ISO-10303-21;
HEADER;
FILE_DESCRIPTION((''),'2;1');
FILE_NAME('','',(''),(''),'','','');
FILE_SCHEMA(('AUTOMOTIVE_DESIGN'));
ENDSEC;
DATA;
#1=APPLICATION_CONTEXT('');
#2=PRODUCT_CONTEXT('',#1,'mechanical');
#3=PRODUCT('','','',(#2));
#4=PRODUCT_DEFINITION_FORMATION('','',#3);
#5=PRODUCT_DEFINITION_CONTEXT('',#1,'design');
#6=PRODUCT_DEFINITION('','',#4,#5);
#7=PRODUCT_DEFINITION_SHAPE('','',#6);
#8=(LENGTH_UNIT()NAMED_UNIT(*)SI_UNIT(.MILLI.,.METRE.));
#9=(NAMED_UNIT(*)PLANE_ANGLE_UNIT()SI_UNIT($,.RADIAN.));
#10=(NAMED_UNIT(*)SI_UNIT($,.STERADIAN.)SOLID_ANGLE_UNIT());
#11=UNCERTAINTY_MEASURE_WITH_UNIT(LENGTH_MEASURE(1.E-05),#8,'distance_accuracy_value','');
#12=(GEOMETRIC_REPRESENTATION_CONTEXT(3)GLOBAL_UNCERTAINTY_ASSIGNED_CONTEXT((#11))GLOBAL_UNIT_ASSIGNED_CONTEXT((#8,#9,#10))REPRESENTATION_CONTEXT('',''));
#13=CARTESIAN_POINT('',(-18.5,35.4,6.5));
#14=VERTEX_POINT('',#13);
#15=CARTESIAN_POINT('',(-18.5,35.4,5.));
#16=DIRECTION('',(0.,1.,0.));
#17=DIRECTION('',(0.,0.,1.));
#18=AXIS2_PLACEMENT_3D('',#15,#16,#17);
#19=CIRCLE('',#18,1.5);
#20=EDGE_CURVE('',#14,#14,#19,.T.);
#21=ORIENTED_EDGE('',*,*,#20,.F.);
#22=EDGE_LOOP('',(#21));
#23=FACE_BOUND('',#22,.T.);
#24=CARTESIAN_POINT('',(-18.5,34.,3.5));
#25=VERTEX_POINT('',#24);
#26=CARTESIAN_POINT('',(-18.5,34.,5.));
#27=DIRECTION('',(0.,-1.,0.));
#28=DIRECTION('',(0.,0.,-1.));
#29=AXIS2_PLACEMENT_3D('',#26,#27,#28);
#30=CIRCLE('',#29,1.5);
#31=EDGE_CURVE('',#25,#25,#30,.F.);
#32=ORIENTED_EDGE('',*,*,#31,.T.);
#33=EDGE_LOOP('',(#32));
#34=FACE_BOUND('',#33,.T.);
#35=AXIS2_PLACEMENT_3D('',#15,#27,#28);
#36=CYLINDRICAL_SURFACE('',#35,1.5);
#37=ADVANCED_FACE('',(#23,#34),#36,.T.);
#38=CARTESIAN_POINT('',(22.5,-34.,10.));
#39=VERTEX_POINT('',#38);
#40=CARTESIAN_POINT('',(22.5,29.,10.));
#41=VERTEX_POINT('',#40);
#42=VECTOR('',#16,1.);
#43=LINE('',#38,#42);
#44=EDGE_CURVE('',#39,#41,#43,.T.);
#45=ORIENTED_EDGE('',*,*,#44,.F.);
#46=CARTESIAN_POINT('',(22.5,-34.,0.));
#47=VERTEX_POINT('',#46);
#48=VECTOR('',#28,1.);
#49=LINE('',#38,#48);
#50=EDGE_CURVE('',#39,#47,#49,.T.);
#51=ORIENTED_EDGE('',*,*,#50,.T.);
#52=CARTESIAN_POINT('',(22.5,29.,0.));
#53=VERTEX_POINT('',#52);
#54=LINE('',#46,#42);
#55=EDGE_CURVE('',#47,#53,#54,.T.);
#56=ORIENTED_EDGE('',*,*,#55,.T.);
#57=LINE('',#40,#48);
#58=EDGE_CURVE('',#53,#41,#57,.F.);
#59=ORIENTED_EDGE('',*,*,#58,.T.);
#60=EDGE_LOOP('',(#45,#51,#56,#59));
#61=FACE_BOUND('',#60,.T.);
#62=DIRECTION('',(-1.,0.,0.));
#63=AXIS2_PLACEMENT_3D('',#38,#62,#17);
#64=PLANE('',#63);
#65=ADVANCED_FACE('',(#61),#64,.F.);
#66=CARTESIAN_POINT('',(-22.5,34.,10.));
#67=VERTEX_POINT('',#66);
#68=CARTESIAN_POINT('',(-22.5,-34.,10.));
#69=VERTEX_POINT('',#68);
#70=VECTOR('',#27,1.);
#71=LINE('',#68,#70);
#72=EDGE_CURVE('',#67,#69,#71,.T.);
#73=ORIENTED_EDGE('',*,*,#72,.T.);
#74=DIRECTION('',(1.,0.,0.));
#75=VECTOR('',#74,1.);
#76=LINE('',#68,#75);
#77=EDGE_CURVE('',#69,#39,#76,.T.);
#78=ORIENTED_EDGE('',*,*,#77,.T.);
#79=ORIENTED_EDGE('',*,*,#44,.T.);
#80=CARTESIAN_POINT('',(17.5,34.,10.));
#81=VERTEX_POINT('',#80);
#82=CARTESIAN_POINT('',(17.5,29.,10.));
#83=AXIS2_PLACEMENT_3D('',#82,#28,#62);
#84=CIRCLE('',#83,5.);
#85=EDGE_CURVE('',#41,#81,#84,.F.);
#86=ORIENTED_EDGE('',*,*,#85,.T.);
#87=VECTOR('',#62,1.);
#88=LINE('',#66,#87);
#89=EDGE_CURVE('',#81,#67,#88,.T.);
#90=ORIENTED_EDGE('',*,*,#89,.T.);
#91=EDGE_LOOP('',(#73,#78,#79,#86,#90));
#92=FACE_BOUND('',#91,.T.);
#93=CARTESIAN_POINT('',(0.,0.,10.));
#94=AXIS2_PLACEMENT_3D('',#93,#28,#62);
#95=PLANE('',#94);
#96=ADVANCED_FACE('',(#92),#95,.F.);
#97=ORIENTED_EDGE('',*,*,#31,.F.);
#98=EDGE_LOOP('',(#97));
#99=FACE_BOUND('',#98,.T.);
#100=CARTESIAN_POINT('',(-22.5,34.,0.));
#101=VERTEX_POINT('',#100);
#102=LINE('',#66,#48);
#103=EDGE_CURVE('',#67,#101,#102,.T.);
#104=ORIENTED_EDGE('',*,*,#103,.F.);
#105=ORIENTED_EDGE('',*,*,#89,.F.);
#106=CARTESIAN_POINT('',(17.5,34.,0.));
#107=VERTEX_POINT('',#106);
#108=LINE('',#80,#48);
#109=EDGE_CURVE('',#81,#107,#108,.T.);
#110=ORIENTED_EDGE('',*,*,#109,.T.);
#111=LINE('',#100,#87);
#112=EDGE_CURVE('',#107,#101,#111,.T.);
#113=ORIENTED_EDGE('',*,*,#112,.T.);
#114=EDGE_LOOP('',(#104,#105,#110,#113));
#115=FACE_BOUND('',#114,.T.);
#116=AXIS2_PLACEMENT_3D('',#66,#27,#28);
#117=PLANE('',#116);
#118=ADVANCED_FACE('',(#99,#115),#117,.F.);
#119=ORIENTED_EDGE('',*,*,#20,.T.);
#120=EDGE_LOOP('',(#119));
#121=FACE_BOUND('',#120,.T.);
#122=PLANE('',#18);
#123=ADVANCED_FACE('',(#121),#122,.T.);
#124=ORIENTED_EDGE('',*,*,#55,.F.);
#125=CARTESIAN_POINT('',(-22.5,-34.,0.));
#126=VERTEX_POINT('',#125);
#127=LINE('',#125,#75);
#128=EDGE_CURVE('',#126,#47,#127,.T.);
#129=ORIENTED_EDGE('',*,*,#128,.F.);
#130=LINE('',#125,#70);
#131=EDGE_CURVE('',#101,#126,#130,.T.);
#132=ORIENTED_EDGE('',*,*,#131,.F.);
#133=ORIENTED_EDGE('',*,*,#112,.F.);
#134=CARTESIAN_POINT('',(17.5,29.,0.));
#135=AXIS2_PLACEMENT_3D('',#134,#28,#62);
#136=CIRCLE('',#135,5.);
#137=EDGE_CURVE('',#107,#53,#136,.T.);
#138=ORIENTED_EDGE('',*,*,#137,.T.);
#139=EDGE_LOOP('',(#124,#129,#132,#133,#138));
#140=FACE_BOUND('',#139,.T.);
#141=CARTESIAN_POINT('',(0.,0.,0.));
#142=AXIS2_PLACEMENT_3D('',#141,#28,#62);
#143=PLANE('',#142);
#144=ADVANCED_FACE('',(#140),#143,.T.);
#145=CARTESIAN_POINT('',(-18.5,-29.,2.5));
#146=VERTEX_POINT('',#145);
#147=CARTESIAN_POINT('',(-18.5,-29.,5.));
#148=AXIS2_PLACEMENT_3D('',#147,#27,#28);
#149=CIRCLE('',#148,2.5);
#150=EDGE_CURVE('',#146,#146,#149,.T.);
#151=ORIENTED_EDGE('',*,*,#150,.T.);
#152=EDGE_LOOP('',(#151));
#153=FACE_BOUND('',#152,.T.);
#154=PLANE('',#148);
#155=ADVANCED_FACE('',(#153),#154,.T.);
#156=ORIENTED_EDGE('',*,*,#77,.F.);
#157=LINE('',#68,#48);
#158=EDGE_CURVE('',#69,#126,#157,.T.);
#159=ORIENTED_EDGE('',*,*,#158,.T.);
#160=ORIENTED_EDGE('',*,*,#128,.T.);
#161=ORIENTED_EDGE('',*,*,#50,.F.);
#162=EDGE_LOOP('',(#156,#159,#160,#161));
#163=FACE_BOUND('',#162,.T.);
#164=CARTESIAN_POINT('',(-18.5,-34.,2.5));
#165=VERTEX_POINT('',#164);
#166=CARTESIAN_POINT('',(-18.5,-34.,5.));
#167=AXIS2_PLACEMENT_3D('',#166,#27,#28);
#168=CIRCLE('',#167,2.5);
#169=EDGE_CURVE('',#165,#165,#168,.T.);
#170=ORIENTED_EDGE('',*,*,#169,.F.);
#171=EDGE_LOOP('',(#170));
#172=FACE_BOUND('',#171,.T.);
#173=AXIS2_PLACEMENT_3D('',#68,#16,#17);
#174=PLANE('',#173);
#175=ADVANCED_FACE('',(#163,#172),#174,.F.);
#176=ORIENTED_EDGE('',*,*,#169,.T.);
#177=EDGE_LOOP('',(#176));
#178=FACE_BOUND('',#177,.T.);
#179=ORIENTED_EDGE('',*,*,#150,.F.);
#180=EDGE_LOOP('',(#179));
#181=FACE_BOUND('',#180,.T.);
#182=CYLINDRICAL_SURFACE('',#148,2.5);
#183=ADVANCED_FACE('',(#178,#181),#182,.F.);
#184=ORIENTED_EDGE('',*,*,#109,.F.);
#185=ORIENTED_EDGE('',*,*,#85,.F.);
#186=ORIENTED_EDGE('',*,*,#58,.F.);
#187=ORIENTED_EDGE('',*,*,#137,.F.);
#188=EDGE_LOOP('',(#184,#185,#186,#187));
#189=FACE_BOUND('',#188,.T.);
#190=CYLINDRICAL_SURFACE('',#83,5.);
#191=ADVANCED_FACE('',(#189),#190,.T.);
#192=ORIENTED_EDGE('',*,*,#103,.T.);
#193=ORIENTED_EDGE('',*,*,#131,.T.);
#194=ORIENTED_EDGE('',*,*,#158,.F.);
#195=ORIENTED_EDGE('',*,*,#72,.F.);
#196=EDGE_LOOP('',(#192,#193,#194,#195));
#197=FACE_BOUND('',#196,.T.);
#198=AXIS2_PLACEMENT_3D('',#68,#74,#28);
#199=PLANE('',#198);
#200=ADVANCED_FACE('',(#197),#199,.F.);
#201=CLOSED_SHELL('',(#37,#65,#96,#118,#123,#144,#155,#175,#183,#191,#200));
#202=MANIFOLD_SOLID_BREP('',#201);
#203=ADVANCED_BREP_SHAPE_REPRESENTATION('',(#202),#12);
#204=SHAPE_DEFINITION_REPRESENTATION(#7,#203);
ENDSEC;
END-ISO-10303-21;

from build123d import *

# Parameters (mm, degrees)
SKETCH_1_W           = 45
SKETCH_1_H           = 68
EXTRUDE_1_DEPTH      = 10
FILLET_1_R           = 5
SKETCH_2_R           = 1.5
EXTRUDE_2_DEPTH      = 1.4
SKETCH_3_OUTSIDE_W   = 63.662
SKETCH_3_OUTSIDE_H   = 28.662
SKETCH_3_OUTSIDE_W_2 = 45
SKETCH_3_OUTSIDE_H_2 = 10
SKETCH_3_OUTSIDE_R   = 2.5
CUT_EXTRUDE_1_DEPTH  = 5


with BuildPart() as part:
    # 草图1 → 凸台-拉伸1 (new body)
    with BuildSketch(Plane.XY):
        Rectangle(SKETCH_1_W, SKETCH_1_H)
    extrude(amount=EXTRUDE_1_DEPTH)

    # 圆角1
    fillet_1_edges = [part.edges().sort_by_distance(p)[0] for p in [
        (22.5, 34, 5),
    ]]
    fillet(fillet_1_edges, radius=FILLET_1_R)

    # 草图2 → 凸台-拉伸2 (add)
    with BuildSketch(Plane(origin=(0, 34, 0), x_dir=(1, 0, 0), z_dir=(0, 1, 0))):
        with Locations(Location((-18.5, -5, 0), (0, 0, 90))):
            Circle(SKETCH_2_R)
    extrude(amount=EXTRUDE_2_DEPTH)

    # 草图3 outside → 切除-拉伸1 (cut)
    # profile 1 of 2: a face of its own
    with BuildSketch(Plane.XZ.offset(34)):
        with Locations((0, 5)):
            Rectangle(SKETCH_3_OUTSIDE_W, SKETCH_3_OUTSIDE_H)
        with Locations((0, 5)):
            Rectangle(SKETCH_3_OUTSIDE_W_2, SKETCH_3_OUTSIDE_H_2, mode=Mode.SUBTRACT)
    # profile 2 of 2: a face of its own
    with BuildSketch(Plane.XZ.offset(34)):
        with Locations(Location((-18.5, 5, 0), (0, 0, 270))):
            Circle(SKETCH_3_OUTSIDE_R)
    extrude(amount=-CUT_EXTRUDE_1_DEPTH, mode=Mode.SUBTRACT)


solid = part.part
